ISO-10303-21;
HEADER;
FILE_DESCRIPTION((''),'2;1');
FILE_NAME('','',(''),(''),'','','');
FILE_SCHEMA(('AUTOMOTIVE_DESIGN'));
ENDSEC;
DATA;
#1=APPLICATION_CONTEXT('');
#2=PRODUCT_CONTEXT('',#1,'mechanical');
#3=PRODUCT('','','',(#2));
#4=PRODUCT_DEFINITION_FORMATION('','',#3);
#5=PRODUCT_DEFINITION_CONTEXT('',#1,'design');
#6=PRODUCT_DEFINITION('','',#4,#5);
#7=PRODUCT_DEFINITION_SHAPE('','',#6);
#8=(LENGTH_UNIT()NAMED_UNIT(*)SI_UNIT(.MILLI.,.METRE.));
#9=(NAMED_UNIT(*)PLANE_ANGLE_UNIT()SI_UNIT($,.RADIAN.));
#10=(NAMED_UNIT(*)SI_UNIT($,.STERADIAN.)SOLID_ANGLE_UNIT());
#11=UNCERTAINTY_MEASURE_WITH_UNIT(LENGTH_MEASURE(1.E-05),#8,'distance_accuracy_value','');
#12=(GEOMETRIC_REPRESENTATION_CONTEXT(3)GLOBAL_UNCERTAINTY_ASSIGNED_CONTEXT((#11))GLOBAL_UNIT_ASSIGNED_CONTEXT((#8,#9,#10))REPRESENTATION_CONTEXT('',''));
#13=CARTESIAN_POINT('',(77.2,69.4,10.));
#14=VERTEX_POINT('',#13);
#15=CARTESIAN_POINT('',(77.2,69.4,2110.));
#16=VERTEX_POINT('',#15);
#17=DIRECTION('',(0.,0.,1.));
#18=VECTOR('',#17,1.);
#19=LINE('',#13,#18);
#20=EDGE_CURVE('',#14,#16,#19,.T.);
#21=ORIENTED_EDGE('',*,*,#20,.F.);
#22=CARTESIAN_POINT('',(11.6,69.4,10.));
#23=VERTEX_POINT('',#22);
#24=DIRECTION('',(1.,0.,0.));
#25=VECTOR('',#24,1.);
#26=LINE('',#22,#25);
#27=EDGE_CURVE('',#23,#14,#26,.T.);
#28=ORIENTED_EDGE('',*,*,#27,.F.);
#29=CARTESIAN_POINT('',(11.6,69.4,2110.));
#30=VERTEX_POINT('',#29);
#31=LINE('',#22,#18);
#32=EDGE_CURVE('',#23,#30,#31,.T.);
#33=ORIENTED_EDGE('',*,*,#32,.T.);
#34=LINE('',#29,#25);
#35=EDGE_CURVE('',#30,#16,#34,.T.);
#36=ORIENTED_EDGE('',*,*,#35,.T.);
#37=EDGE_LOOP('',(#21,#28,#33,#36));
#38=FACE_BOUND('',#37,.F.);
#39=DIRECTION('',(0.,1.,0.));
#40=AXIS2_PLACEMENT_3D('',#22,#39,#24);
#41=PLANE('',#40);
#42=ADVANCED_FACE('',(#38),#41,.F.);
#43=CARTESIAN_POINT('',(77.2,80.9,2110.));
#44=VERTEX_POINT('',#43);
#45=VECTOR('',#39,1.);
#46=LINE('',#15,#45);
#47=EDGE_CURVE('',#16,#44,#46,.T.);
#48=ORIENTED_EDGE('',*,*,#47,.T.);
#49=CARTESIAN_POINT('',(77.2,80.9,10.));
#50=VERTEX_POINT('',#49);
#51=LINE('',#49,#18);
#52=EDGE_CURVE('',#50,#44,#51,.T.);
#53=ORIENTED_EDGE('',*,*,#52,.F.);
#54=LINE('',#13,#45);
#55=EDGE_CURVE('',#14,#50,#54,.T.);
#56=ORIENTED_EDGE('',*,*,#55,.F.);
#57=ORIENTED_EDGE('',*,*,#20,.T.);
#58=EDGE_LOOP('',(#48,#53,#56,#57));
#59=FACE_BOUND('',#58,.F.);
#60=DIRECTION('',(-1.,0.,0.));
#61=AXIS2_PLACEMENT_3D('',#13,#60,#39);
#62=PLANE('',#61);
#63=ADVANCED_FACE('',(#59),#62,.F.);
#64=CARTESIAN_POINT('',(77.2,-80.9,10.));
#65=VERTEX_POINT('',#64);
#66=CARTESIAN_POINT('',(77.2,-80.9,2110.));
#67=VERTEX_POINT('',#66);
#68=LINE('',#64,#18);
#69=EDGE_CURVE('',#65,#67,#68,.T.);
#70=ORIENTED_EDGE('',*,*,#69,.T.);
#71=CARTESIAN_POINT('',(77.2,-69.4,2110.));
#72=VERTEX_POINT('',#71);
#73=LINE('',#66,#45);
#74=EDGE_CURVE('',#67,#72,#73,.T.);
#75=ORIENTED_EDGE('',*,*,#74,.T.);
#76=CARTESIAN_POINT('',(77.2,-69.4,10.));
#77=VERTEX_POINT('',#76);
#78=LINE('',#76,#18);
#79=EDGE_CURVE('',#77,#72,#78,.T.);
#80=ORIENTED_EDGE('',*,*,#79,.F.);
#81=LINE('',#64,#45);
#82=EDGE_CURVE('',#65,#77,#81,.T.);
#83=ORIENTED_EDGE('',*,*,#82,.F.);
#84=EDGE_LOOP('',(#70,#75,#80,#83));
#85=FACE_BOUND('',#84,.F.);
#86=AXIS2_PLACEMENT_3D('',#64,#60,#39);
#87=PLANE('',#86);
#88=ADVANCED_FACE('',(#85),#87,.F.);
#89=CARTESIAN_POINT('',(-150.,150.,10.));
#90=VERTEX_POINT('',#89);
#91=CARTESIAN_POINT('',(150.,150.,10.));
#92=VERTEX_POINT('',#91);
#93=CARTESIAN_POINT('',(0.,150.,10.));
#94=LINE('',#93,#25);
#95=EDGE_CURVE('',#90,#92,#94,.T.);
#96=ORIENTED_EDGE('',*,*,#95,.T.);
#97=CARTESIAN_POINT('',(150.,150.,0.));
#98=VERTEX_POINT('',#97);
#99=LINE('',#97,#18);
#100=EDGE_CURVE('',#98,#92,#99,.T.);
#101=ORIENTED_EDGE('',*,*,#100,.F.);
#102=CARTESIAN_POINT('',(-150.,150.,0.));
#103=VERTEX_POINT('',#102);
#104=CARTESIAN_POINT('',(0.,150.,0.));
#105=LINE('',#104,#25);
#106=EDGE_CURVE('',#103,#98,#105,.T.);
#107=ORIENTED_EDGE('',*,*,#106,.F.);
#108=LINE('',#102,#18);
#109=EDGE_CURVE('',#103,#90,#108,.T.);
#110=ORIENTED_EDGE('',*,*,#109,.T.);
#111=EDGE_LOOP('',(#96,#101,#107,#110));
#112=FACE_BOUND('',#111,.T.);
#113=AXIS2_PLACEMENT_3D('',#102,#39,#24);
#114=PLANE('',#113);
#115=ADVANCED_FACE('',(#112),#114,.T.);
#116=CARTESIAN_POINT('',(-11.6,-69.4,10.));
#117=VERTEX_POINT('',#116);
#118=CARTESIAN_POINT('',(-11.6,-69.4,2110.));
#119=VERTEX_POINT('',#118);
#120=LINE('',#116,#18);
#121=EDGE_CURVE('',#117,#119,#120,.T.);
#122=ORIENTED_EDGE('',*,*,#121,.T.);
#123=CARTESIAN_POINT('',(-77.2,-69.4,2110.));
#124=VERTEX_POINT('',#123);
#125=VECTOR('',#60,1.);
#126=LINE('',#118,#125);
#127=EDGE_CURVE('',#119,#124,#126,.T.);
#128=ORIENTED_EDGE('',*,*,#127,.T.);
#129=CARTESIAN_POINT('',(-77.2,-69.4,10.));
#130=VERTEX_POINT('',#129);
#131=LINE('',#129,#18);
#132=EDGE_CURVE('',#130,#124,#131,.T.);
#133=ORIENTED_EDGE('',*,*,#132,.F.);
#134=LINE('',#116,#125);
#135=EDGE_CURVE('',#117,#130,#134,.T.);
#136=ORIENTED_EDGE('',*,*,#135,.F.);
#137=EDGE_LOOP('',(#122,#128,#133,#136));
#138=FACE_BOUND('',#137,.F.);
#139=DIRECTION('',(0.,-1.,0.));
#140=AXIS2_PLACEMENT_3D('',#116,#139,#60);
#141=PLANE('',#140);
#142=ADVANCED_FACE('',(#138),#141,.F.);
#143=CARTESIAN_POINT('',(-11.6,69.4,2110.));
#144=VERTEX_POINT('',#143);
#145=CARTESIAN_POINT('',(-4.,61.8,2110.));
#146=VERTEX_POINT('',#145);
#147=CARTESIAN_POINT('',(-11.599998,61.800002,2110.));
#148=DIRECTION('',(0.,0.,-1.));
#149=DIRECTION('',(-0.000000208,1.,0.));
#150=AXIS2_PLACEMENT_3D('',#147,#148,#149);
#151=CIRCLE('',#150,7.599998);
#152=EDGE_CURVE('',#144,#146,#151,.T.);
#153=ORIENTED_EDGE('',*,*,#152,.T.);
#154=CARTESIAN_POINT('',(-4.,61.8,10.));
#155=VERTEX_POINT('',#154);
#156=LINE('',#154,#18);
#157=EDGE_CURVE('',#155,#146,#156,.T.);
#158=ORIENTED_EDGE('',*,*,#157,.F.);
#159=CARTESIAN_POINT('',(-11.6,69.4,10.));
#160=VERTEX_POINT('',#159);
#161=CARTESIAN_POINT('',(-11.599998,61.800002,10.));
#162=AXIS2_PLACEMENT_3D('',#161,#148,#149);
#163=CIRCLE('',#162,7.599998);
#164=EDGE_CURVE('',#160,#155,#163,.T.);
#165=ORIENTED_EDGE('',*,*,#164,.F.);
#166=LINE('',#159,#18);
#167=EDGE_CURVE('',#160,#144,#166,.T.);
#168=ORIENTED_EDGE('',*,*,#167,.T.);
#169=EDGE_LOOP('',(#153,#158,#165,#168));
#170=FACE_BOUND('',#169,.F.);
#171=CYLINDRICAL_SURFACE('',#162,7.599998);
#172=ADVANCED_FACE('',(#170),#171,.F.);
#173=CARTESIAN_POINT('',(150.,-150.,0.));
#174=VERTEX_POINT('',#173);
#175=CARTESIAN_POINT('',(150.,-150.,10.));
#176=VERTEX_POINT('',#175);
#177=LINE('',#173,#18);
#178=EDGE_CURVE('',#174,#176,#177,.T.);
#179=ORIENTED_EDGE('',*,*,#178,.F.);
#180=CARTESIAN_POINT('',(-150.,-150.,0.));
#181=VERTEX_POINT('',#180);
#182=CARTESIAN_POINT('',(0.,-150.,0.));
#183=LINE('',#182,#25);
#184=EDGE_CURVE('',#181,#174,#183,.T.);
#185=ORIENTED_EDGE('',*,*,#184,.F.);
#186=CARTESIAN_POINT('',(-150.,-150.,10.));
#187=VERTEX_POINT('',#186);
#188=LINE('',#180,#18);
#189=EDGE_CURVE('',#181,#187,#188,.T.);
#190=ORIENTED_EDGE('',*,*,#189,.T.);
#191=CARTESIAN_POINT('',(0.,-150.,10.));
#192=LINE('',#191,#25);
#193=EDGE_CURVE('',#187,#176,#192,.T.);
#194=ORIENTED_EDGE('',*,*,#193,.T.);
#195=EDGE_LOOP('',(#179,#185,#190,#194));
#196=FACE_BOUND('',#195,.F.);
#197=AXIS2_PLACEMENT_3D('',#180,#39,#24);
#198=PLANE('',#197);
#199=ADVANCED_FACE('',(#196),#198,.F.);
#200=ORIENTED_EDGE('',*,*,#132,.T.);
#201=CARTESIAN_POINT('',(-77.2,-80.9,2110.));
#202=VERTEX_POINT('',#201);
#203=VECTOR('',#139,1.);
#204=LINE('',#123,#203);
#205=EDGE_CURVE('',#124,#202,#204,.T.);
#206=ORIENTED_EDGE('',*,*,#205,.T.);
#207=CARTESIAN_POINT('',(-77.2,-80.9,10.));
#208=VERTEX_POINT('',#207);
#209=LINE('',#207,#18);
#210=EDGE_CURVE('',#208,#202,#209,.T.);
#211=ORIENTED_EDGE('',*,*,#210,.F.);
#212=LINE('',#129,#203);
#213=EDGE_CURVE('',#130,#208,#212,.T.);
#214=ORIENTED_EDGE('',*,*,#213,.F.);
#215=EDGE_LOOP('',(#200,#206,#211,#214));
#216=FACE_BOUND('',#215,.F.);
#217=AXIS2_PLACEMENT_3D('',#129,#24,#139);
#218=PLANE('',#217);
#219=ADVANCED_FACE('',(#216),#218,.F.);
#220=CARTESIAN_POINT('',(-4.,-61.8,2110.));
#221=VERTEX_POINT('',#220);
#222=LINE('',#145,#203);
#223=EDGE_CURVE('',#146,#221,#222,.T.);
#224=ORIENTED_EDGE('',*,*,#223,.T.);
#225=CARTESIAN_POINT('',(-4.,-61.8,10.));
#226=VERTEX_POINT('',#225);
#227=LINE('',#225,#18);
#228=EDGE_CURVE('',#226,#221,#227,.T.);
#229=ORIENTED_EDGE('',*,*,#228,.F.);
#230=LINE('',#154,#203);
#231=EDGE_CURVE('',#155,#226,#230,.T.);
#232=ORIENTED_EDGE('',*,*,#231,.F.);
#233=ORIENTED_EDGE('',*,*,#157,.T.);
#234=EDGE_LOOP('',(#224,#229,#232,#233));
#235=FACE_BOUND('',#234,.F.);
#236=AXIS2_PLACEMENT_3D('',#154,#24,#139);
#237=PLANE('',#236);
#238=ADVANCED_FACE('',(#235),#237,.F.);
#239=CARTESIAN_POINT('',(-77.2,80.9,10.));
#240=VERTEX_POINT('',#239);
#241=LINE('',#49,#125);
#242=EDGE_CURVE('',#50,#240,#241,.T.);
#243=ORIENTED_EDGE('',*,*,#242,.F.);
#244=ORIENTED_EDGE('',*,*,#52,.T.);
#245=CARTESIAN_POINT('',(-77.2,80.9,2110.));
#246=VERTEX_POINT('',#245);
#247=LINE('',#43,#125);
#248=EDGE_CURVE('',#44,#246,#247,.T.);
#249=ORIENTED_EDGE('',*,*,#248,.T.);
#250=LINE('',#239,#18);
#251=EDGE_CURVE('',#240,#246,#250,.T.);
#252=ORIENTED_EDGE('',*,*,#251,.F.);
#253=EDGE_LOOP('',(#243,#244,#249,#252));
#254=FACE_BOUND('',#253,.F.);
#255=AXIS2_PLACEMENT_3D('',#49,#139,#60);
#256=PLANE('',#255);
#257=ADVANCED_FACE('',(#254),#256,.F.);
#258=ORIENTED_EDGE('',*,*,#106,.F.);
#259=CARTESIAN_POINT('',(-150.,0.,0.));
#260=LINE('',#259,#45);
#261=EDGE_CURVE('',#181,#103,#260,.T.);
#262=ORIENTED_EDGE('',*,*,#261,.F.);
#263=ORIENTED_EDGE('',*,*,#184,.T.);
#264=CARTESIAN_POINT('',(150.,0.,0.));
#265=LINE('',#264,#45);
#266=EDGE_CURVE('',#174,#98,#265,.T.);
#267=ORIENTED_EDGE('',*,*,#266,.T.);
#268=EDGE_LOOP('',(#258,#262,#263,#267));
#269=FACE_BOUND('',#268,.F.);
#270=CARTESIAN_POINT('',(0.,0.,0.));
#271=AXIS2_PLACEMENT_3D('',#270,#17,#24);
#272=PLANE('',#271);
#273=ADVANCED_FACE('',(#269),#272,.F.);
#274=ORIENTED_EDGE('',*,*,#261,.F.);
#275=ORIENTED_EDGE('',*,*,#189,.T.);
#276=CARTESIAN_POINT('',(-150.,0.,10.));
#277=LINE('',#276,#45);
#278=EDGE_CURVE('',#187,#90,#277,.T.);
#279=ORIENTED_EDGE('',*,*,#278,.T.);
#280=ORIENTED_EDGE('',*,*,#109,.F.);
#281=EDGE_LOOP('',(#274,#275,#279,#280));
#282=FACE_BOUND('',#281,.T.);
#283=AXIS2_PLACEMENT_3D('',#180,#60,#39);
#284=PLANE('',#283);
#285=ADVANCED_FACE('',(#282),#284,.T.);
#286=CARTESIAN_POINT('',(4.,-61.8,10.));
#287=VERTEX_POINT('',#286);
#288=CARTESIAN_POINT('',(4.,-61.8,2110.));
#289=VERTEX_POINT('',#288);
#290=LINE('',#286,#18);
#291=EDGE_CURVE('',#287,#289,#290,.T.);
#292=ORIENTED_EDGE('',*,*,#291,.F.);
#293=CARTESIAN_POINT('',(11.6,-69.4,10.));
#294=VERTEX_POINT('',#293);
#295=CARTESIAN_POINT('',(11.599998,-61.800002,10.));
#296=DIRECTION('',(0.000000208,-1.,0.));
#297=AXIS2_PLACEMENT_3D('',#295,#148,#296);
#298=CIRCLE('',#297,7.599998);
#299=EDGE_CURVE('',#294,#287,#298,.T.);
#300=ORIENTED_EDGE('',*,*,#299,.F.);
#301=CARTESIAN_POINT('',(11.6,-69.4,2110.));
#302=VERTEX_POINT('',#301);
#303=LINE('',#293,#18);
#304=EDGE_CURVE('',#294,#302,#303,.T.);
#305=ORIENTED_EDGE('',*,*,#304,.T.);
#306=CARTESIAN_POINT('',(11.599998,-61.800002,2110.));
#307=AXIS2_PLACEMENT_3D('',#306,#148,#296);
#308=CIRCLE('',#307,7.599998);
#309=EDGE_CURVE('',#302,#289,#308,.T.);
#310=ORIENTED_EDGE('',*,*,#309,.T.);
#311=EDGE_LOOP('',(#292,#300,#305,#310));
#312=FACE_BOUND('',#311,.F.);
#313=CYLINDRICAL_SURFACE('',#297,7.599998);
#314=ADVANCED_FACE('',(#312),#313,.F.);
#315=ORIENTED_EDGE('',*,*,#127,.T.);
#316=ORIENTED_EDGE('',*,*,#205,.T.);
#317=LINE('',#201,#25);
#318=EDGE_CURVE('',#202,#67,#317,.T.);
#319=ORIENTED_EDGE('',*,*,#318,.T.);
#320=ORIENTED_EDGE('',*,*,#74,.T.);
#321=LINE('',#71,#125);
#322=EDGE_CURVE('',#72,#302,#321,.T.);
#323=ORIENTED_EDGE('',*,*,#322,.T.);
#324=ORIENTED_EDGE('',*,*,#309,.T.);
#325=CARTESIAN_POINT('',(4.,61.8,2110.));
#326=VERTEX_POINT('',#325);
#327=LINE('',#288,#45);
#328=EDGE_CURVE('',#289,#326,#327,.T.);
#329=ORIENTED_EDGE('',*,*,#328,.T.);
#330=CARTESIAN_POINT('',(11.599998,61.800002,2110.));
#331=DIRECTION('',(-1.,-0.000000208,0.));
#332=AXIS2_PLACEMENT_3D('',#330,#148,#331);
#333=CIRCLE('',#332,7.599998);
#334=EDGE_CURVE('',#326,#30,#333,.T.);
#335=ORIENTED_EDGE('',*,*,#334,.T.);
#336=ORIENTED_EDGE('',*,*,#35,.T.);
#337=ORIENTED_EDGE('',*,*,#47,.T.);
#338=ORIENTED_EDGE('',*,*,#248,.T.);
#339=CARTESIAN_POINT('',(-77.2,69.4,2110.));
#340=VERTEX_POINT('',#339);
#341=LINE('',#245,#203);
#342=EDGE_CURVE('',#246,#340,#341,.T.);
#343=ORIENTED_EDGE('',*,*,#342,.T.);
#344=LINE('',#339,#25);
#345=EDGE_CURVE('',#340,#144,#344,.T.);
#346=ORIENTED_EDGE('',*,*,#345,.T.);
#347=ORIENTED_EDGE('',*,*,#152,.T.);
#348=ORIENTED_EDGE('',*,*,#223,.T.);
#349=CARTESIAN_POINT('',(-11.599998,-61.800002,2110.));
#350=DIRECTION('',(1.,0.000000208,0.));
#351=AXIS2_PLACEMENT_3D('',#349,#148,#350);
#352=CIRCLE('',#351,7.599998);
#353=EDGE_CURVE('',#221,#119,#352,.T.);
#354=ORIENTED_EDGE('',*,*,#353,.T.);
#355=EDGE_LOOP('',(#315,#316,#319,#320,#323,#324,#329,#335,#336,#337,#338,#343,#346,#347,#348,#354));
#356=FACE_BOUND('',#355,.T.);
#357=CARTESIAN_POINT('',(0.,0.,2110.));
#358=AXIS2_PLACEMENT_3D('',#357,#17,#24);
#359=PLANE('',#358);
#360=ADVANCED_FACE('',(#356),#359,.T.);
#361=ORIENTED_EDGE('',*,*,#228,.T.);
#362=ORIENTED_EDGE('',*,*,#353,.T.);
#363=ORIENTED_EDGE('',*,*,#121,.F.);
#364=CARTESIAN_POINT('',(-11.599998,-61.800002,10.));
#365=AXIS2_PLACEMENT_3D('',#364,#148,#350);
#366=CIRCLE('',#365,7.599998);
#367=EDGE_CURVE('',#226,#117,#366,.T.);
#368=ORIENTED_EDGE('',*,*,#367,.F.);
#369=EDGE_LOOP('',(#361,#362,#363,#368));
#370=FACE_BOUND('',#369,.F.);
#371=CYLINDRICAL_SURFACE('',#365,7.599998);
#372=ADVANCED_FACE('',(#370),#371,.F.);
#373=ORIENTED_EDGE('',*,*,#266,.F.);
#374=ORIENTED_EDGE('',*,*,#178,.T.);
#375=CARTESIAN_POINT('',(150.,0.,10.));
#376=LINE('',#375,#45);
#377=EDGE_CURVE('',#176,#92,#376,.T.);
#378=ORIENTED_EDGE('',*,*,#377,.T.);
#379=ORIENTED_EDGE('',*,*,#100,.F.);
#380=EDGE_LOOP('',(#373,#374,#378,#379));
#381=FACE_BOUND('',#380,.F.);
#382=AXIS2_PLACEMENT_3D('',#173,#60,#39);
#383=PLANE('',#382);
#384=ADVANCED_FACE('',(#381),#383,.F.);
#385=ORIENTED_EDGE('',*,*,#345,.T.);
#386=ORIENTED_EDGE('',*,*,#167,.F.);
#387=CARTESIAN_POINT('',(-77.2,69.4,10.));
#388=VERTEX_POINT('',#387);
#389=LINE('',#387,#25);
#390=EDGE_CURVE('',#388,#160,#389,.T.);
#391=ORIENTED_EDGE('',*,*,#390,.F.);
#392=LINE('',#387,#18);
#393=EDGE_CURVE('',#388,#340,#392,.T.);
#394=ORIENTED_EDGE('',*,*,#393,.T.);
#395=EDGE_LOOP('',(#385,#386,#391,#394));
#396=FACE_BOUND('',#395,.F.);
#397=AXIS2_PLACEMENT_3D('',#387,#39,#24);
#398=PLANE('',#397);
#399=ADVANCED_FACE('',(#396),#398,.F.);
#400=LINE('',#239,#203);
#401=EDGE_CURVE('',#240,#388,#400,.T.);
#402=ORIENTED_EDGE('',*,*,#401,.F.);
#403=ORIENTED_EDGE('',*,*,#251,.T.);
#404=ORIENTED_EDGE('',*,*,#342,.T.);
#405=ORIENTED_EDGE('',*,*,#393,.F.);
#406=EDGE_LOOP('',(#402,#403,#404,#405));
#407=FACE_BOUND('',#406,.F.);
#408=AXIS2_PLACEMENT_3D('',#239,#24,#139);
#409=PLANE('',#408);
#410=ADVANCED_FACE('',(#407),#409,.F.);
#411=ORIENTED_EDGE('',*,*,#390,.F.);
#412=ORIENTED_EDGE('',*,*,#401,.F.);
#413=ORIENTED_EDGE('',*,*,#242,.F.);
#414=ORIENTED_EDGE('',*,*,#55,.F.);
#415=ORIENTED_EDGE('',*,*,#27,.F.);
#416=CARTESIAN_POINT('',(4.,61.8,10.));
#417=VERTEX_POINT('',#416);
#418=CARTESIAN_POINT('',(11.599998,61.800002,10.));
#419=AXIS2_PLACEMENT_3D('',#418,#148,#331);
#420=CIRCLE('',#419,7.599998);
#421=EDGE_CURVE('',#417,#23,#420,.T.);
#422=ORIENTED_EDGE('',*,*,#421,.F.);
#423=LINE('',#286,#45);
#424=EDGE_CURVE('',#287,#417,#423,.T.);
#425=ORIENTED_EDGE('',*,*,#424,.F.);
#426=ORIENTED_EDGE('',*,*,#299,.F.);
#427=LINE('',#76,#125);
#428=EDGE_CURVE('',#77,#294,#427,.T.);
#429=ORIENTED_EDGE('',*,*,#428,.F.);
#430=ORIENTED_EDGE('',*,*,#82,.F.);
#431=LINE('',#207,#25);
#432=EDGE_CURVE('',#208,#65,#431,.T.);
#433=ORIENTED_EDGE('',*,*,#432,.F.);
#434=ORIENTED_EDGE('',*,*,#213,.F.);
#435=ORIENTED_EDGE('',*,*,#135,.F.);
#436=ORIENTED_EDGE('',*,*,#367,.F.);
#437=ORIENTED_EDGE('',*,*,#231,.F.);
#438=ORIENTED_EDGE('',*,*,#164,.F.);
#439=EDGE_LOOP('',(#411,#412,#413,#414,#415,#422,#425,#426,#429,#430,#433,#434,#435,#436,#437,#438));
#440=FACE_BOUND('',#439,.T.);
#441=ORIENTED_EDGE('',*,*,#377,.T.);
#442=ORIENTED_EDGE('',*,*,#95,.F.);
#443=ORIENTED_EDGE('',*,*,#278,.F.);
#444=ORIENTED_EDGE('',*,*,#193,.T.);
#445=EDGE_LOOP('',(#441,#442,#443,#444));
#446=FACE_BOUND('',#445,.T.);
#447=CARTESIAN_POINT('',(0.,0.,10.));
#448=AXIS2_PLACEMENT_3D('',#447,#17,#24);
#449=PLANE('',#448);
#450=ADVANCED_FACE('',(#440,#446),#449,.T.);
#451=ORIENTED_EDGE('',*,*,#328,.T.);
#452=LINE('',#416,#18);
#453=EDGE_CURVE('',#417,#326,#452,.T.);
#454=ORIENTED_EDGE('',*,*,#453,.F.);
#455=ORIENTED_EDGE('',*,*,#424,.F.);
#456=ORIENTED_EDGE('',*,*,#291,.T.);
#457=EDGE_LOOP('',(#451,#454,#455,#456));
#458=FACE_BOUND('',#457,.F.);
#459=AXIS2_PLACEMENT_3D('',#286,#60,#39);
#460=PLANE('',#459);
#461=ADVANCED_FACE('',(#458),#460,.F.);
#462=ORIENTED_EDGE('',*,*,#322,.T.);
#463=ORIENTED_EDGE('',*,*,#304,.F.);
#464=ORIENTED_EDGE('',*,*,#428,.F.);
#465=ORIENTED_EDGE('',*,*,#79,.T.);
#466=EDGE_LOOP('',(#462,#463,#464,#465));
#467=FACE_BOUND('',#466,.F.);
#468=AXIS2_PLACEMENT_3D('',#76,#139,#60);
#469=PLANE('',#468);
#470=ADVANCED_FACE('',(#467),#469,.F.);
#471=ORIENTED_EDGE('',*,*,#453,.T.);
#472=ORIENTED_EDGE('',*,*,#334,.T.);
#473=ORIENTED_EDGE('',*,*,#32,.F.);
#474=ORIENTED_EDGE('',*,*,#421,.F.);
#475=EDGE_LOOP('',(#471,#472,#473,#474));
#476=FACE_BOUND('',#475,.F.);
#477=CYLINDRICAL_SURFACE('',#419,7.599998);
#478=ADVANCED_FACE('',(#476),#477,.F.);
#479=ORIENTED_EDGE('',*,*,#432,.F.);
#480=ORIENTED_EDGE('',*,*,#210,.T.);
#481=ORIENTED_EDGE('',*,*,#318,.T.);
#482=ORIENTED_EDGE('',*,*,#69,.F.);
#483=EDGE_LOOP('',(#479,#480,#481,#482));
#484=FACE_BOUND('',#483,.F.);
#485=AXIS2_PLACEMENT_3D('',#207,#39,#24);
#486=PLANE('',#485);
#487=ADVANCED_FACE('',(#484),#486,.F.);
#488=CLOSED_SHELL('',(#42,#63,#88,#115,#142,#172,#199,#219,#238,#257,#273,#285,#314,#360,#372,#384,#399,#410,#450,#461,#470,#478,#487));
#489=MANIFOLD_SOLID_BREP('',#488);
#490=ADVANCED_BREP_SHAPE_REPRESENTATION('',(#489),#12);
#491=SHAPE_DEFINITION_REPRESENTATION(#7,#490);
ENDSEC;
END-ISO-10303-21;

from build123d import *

# Parameters (mm, degrees)
F0_W     = 300
F0_H     = 300
F1_DEPTH = 10
F3_DEPTH = 2100


with BuildPart() as f1:
    # F0 (on Top) → F1 (new body)
    with BuildSketch(Plane.XY):
        Rectangle(F0_W, F0_H)
    extrude(amount=F1_DEPTH)

    # F2 (on face) → F3 (join)
    with BuildSketch(Plane.XY.offset(10)):
        with BuildLine():
            Line((77.2, 80.9), (-77.2, 80.9))
            Line((-77.2, 80.9), (-77.2, 69.4))
            Line((-77.2, 69.4), (-11.6, 69.4))
            ThreePointArc((-11.6, 69.4), (-6.225988, 67.174012), (-4, 61.8))
            Line((-4, 61.8), (-4, -61.8))
            ThreePointArc((-4, -61.8), (-6.225988, -67.174012), (-11.6, -69.4))
            Line((-11.6, -69.4), (-77.2, -69.4))
            Line((-77.2, -69.4), (-77.2, -80.9))
            Line((-77.2, -80.9), (77.2, -80.9))
            Line((77.2, -80.9), (77.2, -69.4))
            Line((77.2, -69.4), (11.6, -69.4))
            ThreePointArc((11.6, -69.4), (6.225988, -67.174012), (4, -61.8))
            Line((4, -61.8), (4, 61.8))
            ThreePointArc((4, 61.8), (6.225988, 67.174012), (11.6, 69.4))
            Line((11.6, 69.4), (77.2, 69.4))
            Line((77.2, 69.4), (77.2, 80.9))
        make_face()
    extrude(amount=F3_DEPTH)


solid = f1.part
